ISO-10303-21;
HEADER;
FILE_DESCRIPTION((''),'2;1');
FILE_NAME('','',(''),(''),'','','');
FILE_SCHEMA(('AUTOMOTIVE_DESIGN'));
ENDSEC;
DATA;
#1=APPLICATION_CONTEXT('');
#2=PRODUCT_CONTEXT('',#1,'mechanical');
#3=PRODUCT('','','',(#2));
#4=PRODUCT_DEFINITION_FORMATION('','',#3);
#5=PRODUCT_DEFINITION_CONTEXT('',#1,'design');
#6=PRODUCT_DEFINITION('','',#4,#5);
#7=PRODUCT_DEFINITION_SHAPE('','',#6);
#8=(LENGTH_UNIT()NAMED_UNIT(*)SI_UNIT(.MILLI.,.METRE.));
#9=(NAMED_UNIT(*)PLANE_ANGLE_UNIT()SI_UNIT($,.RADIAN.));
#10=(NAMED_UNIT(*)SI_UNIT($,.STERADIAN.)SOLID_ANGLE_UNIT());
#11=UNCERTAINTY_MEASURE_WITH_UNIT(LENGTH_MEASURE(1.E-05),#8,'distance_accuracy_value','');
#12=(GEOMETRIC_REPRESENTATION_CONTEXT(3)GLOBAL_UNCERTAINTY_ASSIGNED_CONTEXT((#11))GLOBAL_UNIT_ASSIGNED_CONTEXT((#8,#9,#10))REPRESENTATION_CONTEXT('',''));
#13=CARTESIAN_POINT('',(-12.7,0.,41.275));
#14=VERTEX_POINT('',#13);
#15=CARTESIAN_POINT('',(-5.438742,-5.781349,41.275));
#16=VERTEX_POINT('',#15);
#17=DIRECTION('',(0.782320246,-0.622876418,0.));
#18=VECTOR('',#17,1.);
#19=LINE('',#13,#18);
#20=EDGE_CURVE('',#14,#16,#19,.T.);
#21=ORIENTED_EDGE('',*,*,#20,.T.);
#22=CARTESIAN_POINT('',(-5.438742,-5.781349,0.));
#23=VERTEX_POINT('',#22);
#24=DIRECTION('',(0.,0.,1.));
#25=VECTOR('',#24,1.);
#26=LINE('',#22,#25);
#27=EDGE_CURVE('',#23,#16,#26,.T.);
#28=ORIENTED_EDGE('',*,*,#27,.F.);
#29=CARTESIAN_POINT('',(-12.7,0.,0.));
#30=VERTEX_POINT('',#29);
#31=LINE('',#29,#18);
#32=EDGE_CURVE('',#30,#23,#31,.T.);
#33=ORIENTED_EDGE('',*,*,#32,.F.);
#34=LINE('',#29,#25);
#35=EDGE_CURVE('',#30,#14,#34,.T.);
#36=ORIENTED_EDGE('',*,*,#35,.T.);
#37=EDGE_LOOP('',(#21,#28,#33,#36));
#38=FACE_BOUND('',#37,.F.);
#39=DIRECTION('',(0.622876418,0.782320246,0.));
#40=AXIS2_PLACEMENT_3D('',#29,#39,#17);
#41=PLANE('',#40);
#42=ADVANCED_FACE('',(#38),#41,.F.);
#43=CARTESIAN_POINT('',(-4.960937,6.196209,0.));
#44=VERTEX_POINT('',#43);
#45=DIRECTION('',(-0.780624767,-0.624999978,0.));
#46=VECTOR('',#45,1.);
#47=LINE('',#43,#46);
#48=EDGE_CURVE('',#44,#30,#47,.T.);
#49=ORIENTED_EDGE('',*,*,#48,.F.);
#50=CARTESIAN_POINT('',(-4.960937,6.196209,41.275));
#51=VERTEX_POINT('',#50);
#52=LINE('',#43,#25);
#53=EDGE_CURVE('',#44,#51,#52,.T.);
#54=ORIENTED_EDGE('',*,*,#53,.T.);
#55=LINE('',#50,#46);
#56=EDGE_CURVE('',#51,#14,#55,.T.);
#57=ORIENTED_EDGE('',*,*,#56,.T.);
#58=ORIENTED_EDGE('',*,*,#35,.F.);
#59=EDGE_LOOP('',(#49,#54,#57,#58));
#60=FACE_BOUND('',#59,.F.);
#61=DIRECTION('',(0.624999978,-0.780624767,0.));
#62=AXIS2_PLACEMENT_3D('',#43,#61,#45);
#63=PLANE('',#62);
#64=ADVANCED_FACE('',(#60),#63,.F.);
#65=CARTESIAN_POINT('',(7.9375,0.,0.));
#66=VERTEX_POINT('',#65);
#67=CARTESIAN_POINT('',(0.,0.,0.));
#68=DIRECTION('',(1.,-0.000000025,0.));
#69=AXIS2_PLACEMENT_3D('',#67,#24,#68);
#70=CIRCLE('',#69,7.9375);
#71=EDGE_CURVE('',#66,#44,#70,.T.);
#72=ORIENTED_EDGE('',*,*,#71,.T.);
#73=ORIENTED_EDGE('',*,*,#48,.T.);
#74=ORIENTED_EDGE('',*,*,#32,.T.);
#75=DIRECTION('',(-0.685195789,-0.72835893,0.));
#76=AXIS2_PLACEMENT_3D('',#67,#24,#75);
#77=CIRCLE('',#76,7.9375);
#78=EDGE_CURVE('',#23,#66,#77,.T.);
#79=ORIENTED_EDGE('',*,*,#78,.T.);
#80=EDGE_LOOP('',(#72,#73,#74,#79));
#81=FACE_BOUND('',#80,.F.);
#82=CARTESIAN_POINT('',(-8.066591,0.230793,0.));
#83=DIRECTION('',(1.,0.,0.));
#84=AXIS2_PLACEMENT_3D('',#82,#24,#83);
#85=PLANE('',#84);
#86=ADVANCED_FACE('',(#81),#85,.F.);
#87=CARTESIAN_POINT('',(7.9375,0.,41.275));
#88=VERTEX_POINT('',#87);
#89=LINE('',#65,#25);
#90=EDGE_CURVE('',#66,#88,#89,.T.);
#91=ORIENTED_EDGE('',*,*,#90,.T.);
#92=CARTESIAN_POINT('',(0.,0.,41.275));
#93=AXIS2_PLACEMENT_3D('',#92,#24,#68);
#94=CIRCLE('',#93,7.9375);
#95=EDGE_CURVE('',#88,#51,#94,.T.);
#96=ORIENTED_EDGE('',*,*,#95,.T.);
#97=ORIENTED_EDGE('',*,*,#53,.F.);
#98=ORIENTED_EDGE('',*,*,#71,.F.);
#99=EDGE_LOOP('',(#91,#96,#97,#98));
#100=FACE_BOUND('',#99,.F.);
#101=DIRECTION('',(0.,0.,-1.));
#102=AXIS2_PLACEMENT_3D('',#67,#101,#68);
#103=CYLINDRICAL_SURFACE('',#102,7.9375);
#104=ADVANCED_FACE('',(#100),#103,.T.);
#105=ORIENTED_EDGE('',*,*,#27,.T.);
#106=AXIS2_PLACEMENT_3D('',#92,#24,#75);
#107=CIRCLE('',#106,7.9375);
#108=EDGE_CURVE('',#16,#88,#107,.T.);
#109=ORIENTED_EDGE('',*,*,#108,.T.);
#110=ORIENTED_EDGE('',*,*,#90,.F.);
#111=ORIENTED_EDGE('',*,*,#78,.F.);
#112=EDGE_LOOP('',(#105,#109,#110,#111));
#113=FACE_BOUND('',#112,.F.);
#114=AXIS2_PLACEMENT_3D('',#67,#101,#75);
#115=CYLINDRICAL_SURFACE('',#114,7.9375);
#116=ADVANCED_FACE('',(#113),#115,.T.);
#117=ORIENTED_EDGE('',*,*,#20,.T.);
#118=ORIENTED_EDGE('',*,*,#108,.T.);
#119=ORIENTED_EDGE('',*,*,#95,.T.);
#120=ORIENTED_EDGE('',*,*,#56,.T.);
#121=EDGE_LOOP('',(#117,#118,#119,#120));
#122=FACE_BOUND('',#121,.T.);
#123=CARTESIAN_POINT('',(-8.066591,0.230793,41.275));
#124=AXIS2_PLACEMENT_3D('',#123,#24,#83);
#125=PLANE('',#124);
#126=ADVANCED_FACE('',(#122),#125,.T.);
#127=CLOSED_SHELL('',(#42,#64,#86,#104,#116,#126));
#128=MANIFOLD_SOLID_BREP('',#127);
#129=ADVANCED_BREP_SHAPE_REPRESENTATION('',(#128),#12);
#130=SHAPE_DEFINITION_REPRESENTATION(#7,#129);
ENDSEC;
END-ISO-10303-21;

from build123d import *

# Parameters (mm, degrees)
F1_DEPTH = 41.275


with BuildPart() as f1:
    # F0 (on Top) → F1 (new body)
    with BuildSketch(Plane.XY):
        with BuildLine():
            ThreePointArc((-5.438742, -5.781349), (-7.931192, 0.316388), (-4.960937, 6.196209))
            Line((-4.960937, 6.196209), (-12.7, 0))
            Line((-12.7, 0), (-5.438742, -5.781349))
        make_face()
        with BuildLine():
            ThreePointArc((-5.438742, -5.781349), (3.149118, -7.28608), (7.9375, 0))
            ThreePointArc((7.9375, 0), (3.437038, 7.154766), (-4.960937, 6.196209))
            ThreePointArc((-4.960937, 6.196209), (-7.931192, 0.316388), (-5.438742, -5.781349))
        make_face()
    extrude(amount=F1_DEPTH)


solid = f1.part
